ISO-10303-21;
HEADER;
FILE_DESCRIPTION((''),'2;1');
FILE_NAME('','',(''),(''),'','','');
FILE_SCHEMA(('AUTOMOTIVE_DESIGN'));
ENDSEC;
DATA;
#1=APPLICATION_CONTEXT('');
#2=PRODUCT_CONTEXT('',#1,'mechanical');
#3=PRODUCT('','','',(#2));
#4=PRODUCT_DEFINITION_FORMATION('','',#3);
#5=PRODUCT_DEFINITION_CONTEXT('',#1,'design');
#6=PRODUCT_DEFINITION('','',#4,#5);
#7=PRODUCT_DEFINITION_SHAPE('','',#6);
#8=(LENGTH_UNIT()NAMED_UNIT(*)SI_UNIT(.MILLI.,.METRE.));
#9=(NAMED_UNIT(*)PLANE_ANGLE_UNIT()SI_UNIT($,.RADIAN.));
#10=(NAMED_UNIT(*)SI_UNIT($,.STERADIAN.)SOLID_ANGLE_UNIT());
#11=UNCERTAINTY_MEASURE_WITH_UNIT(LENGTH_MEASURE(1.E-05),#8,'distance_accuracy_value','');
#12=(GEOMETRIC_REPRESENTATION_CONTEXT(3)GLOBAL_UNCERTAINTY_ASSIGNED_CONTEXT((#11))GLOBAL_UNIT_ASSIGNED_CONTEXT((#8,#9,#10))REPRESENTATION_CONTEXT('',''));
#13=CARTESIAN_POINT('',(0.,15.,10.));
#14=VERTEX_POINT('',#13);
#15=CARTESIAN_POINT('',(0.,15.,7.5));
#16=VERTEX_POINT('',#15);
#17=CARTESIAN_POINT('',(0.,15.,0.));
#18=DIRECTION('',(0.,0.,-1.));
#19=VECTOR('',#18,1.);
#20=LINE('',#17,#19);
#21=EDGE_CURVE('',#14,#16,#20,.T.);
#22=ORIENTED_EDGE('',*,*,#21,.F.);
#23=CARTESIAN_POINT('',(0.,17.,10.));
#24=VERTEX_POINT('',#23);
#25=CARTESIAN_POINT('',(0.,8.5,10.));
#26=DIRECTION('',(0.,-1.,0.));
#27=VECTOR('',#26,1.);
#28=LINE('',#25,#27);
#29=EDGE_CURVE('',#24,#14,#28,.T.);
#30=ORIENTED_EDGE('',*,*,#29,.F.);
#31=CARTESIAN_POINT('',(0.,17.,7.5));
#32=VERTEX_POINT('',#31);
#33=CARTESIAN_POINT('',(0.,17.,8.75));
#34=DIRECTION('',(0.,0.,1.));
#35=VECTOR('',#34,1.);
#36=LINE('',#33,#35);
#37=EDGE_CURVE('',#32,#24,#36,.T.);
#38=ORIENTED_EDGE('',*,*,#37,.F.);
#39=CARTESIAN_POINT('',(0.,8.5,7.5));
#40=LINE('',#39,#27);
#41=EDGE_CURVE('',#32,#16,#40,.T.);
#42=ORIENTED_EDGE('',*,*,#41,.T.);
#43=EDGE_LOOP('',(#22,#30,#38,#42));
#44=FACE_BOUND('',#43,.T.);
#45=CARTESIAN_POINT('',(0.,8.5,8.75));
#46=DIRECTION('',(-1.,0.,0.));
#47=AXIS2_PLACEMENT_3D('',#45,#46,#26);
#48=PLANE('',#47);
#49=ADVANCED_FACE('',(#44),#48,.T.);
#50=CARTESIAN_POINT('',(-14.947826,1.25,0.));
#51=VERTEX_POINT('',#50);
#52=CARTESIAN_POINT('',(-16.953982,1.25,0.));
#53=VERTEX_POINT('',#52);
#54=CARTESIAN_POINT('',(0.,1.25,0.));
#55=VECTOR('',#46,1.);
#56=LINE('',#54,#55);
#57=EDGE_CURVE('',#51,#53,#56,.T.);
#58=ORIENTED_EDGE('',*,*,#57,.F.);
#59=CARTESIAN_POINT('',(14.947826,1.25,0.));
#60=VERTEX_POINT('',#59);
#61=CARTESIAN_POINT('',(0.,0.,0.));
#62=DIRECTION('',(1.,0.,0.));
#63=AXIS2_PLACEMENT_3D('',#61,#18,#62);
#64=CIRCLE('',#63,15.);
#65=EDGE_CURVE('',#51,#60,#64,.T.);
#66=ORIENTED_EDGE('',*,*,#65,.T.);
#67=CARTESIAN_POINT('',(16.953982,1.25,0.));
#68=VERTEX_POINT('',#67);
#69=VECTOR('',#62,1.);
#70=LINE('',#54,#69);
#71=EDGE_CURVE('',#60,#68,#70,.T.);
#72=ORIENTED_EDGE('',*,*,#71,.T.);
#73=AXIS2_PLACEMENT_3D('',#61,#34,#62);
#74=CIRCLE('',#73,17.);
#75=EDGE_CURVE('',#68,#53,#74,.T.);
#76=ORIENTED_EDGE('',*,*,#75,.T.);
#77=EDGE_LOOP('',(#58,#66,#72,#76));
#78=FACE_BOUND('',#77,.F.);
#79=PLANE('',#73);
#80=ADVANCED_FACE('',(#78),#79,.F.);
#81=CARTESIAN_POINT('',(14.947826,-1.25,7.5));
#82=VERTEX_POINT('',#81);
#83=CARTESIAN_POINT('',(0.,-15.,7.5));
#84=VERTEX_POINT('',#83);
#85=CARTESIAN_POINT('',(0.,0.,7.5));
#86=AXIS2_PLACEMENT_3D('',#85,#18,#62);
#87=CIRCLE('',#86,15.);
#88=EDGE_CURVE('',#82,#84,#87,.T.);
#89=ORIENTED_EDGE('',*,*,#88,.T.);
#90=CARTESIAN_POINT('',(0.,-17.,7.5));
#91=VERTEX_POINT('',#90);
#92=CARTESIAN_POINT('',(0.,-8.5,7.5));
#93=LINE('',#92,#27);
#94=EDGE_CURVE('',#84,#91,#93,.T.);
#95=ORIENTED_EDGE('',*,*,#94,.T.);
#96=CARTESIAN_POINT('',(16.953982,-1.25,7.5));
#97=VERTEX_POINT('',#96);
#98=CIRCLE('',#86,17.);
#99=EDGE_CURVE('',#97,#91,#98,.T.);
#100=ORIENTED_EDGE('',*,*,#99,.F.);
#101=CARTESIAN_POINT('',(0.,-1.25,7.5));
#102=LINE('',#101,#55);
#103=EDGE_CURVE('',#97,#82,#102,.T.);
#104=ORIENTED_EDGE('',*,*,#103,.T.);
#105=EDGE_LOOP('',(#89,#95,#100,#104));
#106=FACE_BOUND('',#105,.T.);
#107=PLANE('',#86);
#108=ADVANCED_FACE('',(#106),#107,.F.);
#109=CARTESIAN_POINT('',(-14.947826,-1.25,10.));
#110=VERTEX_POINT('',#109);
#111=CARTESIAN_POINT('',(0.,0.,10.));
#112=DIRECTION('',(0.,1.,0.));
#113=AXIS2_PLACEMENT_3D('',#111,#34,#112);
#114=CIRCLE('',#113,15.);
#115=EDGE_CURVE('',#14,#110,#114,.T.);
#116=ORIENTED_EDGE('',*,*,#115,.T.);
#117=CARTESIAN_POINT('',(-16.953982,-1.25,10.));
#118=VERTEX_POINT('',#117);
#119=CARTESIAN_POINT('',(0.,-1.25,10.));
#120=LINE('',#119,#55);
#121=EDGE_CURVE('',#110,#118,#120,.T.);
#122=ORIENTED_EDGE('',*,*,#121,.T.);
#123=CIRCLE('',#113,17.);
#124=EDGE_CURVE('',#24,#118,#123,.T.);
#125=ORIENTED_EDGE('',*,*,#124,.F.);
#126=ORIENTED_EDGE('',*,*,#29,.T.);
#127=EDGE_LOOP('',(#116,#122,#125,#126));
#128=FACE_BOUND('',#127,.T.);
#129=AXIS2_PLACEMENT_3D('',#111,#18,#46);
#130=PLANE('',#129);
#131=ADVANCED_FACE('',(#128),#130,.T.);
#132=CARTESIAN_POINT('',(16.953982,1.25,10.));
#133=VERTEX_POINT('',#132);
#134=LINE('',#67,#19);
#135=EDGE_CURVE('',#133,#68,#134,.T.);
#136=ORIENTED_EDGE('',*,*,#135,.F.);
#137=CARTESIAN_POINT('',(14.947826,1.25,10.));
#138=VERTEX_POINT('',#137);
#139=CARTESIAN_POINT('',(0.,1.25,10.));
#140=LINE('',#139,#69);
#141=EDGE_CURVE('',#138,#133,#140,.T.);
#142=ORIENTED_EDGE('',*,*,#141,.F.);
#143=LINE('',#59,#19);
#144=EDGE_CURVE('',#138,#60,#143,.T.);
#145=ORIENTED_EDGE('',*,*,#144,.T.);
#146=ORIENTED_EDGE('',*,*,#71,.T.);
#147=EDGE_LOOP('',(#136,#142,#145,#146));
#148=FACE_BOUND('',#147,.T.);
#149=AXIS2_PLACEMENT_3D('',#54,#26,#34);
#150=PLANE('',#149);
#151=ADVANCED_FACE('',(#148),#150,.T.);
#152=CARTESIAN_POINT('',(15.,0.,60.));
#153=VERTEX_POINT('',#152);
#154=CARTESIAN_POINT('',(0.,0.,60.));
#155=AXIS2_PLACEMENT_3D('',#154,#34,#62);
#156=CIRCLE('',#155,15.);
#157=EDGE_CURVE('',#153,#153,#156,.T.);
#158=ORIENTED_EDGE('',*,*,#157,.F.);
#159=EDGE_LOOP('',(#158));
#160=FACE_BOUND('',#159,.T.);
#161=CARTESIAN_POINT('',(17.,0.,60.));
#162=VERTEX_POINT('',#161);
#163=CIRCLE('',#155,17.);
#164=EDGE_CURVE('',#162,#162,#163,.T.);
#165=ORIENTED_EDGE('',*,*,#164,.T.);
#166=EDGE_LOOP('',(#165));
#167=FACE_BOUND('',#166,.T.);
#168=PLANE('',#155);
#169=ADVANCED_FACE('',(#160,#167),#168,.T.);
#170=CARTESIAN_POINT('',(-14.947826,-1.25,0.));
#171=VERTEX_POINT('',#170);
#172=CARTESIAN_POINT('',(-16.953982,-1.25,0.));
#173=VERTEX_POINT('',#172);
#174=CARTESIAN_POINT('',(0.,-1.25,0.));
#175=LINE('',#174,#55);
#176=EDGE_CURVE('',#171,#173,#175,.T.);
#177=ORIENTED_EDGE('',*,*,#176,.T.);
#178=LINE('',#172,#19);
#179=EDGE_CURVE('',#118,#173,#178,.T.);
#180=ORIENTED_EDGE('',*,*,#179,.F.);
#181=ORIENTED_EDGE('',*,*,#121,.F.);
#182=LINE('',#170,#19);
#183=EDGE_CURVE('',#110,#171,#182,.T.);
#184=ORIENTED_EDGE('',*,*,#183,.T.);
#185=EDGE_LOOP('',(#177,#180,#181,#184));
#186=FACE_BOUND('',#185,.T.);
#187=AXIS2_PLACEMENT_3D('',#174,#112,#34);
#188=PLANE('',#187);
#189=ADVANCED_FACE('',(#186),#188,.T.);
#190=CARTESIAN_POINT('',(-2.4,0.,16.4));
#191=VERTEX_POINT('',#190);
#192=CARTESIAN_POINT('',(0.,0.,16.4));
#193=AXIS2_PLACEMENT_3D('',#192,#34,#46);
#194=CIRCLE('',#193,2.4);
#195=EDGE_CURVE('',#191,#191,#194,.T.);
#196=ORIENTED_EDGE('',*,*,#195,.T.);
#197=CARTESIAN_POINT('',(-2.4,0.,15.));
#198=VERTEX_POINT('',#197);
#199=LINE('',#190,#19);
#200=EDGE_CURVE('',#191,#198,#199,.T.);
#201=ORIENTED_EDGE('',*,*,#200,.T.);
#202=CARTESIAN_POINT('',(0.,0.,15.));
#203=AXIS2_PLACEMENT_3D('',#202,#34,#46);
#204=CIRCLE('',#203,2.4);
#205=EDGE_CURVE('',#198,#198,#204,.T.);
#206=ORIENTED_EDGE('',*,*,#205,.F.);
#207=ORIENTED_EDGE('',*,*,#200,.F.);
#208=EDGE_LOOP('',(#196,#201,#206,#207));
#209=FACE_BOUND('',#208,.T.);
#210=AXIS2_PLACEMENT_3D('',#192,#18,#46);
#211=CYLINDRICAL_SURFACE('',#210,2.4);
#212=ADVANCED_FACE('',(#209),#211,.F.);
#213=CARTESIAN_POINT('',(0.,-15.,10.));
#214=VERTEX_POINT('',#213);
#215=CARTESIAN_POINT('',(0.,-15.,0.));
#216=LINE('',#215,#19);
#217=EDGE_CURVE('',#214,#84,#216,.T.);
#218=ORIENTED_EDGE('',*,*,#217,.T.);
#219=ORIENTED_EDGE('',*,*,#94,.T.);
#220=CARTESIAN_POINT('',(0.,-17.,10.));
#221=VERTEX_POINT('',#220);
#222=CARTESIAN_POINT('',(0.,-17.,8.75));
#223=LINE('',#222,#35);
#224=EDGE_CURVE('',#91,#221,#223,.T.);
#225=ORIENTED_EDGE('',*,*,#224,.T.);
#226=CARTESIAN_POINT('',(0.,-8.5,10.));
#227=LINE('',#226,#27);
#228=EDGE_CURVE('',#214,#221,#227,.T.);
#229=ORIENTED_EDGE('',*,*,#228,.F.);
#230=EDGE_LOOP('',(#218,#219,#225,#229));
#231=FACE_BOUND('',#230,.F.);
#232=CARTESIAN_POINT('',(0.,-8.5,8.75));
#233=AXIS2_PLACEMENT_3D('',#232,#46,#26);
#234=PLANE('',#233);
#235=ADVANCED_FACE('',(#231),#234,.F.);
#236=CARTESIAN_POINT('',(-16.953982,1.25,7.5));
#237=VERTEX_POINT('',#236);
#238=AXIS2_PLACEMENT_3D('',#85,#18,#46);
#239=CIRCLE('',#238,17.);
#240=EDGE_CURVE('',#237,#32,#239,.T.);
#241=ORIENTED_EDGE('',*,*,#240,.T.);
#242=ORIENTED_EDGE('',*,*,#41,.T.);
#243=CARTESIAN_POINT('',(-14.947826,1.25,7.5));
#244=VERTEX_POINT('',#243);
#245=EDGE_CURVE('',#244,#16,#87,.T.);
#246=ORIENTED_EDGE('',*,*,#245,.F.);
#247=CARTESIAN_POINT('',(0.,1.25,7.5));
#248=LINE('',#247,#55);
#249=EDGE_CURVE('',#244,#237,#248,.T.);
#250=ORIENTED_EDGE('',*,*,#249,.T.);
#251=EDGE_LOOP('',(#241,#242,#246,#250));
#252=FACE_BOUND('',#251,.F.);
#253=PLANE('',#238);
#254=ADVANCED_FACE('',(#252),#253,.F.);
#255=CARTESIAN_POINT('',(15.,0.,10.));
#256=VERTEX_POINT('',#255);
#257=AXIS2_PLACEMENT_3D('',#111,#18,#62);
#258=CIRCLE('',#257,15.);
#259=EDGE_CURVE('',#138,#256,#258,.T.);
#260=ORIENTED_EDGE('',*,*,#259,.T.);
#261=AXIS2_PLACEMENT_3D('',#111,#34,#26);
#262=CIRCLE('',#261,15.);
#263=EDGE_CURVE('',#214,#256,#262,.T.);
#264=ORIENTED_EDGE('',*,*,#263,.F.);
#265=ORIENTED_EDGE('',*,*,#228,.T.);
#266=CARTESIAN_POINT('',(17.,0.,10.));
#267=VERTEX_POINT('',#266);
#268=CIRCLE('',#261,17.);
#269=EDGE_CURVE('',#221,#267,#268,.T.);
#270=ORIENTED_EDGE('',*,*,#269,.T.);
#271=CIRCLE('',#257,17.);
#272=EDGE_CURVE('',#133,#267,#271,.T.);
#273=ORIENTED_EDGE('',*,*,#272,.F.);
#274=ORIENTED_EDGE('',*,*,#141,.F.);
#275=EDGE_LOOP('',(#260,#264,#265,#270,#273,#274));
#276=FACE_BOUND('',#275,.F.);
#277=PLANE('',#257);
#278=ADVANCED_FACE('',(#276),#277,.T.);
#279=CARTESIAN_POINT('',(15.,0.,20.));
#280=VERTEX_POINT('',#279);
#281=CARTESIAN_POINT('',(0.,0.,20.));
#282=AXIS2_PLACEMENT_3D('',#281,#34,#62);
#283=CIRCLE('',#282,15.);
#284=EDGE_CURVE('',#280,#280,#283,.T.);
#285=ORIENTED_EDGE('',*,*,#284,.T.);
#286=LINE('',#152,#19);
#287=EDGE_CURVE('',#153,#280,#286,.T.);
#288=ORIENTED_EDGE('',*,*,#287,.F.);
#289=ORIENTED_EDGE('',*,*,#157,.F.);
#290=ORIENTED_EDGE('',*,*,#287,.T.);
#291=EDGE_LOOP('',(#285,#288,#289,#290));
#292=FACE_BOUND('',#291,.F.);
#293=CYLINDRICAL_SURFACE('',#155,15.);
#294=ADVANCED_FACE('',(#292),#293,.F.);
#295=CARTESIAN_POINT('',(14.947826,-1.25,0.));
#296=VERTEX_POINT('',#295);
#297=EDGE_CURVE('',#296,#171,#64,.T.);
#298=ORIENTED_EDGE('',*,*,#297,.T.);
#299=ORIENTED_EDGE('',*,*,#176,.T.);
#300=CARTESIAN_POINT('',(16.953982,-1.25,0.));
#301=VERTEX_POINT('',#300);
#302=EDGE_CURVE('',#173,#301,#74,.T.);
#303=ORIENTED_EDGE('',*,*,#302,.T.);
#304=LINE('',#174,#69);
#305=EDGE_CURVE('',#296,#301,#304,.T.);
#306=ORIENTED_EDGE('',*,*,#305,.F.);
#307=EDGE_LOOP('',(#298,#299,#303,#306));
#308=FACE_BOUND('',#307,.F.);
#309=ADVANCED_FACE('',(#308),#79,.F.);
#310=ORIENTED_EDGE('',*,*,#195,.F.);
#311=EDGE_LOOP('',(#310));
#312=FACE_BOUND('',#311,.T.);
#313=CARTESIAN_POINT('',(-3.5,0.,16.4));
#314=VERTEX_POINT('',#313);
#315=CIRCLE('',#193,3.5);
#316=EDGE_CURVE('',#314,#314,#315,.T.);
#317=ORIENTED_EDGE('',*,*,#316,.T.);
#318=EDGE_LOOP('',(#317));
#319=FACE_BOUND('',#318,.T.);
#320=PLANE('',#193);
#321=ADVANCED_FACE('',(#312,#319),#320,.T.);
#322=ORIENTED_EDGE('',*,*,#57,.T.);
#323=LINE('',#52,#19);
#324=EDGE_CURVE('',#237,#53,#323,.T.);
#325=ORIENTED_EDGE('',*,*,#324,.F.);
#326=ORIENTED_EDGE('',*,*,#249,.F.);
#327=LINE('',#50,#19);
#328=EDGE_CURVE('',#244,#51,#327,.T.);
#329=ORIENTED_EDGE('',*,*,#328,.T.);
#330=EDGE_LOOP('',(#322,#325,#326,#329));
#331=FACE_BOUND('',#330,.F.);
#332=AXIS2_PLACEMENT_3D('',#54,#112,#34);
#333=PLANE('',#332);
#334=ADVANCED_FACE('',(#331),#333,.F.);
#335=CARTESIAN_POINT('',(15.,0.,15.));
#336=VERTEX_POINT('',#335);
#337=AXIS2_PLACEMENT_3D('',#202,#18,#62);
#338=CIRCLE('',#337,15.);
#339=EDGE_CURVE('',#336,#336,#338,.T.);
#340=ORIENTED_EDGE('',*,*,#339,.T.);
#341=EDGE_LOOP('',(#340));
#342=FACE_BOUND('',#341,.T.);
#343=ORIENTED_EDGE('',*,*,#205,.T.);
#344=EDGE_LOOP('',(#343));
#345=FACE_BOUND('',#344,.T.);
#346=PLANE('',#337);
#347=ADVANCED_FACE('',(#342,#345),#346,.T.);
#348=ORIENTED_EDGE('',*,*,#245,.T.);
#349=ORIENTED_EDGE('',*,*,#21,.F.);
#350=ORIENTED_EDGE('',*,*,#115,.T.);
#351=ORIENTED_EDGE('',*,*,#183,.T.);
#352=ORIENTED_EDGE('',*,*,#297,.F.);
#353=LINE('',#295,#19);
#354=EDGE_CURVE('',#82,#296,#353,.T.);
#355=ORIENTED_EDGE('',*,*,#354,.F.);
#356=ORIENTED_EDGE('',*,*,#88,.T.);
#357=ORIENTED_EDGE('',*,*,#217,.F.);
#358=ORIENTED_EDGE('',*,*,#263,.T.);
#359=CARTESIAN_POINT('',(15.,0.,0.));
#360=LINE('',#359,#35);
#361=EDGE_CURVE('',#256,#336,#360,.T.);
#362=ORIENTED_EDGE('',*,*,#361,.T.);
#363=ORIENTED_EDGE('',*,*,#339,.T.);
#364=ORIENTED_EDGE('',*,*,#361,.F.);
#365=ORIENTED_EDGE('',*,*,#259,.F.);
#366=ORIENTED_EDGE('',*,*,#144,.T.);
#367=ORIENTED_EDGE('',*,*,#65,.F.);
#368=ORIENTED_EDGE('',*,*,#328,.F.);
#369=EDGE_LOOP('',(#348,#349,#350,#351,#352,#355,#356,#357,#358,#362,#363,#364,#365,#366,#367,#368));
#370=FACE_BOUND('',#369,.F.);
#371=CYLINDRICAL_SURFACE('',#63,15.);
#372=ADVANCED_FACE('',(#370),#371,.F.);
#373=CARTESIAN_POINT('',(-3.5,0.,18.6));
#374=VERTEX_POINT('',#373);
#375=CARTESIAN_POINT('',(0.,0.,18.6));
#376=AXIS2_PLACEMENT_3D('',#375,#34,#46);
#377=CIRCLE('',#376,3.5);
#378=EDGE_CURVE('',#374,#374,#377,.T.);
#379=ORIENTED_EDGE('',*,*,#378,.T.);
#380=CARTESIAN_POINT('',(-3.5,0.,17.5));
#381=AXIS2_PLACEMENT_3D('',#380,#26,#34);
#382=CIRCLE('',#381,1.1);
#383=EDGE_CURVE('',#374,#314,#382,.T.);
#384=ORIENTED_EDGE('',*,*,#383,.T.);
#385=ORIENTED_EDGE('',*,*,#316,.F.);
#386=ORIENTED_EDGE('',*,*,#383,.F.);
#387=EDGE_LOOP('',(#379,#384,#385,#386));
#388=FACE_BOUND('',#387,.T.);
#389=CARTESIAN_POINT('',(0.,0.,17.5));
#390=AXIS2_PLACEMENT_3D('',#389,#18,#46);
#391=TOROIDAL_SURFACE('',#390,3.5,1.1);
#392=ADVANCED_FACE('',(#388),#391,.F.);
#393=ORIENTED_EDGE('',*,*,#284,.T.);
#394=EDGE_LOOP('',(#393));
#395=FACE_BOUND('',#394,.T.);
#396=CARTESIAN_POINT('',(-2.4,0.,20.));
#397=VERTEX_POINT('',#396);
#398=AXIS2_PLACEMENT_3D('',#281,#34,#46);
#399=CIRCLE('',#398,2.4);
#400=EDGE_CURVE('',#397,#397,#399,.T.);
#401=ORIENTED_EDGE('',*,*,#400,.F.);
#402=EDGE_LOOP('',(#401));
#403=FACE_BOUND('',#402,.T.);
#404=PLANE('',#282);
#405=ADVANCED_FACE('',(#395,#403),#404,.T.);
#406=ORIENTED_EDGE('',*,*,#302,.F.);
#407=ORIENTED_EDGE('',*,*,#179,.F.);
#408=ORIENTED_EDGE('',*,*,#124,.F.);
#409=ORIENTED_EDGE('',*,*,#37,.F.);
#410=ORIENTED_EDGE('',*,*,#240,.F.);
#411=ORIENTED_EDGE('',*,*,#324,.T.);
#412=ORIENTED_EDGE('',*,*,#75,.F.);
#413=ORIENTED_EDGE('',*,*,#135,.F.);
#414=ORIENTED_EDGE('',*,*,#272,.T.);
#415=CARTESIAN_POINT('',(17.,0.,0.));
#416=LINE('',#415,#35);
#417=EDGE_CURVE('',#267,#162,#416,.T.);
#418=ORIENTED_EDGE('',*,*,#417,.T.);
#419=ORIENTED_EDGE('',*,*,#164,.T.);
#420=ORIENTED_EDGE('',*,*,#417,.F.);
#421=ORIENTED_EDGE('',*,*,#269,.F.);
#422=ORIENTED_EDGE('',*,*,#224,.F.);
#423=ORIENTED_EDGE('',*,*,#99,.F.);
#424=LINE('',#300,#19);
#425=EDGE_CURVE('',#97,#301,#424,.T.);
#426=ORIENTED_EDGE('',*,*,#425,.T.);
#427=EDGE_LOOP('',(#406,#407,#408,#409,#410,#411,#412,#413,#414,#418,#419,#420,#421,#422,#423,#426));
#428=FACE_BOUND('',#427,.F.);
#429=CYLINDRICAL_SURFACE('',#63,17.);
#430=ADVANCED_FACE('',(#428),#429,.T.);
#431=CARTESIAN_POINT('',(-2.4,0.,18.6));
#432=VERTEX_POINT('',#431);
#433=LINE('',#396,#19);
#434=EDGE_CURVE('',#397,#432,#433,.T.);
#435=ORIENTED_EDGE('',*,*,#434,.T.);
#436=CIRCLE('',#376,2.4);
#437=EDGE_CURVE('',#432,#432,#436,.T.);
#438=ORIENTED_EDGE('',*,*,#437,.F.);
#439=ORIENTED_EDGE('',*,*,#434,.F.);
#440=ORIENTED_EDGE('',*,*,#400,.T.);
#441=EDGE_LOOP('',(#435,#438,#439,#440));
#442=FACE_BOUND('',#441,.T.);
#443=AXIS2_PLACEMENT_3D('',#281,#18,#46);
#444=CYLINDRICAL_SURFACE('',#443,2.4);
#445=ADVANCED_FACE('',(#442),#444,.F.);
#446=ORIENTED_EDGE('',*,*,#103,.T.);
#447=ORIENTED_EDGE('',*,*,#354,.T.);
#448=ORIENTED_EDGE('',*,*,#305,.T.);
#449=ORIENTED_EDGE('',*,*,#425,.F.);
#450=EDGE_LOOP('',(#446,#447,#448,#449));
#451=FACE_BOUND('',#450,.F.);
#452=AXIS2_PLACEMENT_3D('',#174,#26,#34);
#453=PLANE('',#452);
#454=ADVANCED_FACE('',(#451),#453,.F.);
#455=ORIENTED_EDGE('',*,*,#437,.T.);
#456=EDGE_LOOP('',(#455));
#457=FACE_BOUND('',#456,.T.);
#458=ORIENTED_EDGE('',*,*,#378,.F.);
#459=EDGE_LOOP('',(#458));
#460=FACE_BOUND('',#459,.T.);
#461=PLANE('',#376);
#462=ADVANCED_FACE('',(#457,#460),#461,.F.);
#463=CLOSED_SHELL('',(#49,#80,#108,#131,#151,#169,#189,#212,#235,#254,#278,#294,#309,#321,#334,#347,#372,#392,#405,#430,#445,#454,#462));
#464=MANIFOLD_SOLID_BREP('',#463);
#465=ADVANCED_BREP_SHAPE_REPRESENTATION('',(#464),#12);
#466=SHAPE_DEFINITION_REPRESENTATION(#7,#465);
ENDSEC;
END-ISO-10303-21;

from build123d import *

# Parameters (mm, degrees)
F0_R          = 17
F1_DEPTH      = 60
F2_R          = 15
F3_DEPTH      = 40
F4_R          = 15
F5_DEPTH      = 15
F6_W          = 2.5
F6_H          = 10
F7_DEPTH      = 18
F7_DEPTH_BACK = 18
F8_W          = 17
F8_H          = 2.5
F10_ANGLE     = 90
F11_W         = 17
F11_H         = 2.5
F12_ANGLE     = 90


with BuildPart() as f1:
    # F0 (on Top) → F1 (new body)
    with BuildSketch(Plane.XY):
        Circle(F0_R)
    extrude(amount=F1_DEPTH)

    # F2 (on face) → F3 (cut)
    with BuildSketch(Plane.XY.offset(60)):
        Circle(F2_R)
    extrude(amount=-F3_DEPTH, mode=Mode.SUBTRACT)

    # F4 (on face) → F5 (cut)
    with BuildSketch(Plane(origin=(0, 0, 0), x_dir=(1, 0, 0), z_dir=(0, 0, -1))):
        Circle(F4_R)
    extrude(amount=-F5_DEPTH, mode=Mode.SUBTRACT)

    # F6 (on Right) → F7 (cut, two sides)
    with BuildSketch(Plane.YZ) as f7_sk:
        with Locations((0, 5)):
            Rectangle(F6_W, F6_H)
    extrude(amount=F7_DEPTH, mode=Mode.SUBTRACT)
    extrude(f7_sk.sketch, amount=-F7_DEPTH_BACK, mode=Mode.SUBTRACT)

    # F8 (on Front) → F10 (revolve, cut)
    with BuildSketch(Plane.XZ):
        with Locations((-8.5, 8.75)):
            Rectangle(F8_W, F8_H)
    revolve(axis=Axis((0, 0, 15.6492851675), (0, 0, -1)), revolution_arc=F10_ANGLE, mode=Mode.SUBTRACT)

    # F11 (on Front) → F12 (revolve, cut)
    with BuildSketch(Plane.XZ):
        with Locations((8.5, 8.75)):
            Rectangle(F11_W, F11_H)
    revolve(axis=Axis((0, 0, 6.5289476479), (0, 0, -1)), revolution_arc=F12_ANGLE, mode=Mode.SUBTRACT)

    # F13 (on Front) → F14 (revolve, cut)
    with BuildSketch(Plane.XZ):
        with BuildLine():
            Line((-2.4, 15), (0, 15))
            Line((0, 15), (0, 20))
            Line((0, 20), (-2.4, 20))
            Line((-2.4, 20), (-2.4, 18.6))
            Line((-2.4, 18.6), (-3.5, 18.6))
            ThreePointArc((-3.5, 18.6), (-4.6, 17.5), (-3.5, 16.4))
            Line((-3.5, 16.4), (-2.4, 16.4))
            Line((-2.4, 16.4), (-2.4, 15))
        make_face()
    revolve(axis=Axis((0, 0, 17.5), (0, 0, 1)), mode=Mode.SUBTRACT)


solid = f1.part
